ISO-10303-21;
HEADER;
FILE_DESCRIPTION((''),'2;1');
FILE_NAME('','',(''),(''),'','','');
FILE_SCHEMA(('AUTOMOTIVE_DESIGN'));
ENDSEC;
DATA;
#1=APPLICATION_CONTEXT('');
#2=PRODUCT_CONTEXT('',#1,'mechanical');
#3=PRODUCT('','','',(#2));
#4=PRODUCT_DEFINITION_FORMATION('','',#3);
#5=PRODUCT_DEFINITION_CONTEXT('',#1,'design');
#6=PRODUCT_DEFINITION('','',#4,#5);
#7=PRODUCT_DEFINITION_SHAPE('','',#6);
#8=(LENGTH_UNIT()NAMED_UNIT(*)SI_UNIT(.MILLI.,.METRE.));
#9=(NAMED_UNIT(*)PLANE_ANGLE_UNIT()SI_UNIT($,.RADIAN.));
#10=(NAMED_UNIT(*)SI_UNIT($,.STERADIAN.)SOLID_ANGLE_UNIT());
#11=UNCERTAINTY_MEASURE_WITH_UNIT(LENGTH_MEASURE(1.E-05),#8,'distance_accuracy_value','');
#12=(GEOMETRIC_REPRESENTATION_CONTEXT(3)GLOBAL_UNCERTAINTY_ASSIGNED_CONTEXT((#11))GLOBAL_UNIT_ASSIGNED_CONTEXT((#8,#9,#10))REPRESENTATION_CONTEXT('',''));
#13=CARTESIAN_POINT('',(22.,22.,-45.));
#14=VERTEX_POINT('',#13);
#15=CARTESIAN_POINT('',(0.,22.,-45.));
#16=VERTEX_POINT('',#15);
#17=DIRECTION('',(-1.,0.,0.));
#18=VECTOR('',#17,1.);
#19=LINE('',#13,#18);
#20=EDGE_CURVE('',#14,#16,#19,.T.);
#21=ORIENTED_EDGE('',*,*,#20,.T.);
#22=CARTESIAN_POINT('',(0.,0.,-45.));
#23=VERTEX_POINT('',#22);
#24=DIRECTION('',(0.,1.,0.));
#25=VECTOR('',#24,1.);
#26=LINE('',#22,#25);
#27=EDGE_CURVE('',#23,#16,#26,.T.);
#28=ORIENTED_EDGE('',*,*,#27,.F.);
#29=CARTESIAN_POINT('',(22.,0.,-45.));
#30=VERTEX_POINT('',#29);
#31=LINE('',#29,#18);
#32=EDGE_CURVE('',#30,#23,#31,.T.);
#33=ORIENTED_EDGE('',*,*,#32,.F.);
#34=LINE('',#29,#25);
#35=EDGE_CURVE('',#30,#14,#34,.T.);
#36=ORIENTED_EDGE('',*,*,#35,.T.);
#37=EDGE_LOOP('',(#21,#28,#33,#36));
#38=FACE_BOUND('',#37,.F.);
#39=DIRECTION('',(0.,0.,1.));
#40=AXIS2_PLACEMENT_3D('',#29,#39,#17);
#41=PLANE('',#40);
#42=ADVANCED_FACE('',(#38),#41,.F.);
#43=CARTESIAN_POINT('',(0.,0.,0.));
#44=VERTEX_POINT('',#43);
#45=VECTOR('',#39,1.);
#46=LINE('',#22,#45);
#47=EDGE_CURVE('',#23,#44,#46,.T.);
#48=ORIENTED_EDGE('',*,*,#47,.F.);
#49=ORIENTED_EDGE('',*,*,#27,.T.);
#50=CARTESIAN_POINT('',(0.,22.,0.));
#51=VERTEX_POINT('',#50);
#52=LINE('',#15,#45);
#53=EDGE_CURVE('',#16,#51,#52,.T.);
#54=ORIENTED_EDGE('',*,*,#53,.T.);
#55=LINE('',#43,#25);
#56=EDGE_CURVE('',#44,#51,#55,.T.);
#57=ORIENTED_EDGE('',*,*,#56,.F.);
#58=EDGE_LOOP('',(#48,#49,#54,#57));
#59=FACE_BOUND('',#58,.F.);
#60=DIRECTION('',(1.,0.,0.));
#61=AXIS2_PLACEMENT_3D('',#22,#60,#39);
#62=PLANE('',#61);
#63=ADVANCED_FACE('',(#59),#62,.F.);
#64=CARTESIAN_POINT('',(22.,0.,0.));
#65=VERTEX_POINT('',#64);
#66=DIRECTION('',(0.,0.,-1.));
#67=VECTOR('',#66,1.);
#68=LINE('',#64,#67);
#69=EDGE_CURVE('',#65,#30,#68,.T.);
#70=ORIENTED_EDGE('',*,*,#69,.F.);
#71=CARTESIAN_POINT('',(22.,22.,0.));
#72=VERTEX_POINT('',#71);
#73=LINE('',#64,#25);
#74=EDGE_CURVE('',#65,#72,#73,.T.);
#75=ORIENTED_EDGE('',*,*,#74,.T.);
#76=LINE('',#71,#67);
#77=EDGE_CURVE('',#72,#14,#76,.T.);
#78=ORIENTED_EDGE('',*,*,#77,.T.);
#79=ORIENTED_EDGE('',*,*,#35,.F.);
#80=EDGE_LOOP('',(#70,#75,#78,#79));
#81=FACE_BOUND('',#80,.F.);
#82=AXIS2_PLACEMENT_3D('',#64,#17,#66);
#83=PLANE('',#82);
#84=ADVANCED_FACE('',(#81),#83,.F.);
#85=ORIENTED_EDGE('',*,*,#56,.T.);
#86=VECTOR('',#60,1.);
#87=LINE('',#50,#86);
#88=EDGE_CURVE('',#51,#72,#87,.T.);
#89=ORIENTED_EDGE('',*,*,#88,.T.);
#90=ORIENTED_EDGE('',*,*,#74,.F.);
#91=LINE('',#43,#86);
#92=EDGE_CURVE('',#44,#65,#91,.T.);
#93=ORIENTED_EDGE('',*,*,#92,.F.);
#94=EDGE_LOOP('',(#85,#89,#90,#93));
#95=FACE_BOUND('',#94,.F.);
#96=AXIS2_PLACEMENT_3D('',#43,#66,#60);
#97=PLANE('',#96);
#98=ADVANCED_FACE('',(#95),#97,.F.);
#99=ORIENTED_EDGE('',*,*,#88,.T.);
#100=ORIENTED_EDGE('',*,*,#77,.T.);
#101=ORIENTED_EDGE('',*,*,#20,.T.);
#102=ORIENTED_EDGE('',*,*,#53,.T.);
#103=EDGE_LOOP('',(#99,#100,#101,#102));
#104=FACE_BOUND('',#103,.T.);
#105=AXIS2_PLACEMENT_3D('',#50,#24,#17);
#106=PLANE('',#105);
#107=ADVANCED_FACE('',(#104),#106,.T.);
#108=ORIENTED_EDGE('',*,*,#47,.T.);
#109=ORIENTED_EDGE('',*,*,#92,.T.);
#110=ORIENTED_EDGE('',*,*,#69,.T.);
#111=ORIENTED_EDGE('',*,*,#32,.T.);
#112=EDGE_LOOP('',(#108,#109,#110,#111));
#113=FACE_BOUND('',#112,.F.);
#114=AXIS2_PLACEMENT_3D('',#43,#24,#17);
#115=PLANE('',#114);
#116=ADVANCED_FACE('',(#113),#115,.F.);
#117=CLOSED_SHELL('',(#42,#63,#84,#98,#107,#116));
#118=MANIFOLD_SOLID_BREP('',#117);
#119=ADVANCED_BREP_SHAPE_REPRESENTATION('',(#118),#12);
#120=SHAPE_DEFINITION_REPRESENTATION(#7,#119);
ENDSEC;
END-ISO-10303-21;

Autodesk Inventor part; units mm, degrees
ref_plane "YZ Plane" through (0, 0, 0) normal (1, 0, 0) x (0, 1, 0)
ref_plane "XZ Plane" through (0, 0, 0) normal (0, 1, 0) x (-1, 0, 0)
ref_plane "XY Plane" through (0, 0, 0) normal (0, 0, 1) x (1, 0, 0)
sketch "Boceto1" plane through (0, 0, 0) normal (0, 1, 0) x (-1, 0, 0)
  line L0 (0, 0) -> (-22, 0)
  line L1 (-22, 0) -> (-22, -45)
  line L2 (-22, -45) -> (0, -45)
  line L3 (0, -45) -> (0, 0)
  dimension "d0" = 22
  dimension "d1" = 45
extrude "Extrusión1" add sketch "Boceto1" along normal blind 22
properties part number "Bateria"
